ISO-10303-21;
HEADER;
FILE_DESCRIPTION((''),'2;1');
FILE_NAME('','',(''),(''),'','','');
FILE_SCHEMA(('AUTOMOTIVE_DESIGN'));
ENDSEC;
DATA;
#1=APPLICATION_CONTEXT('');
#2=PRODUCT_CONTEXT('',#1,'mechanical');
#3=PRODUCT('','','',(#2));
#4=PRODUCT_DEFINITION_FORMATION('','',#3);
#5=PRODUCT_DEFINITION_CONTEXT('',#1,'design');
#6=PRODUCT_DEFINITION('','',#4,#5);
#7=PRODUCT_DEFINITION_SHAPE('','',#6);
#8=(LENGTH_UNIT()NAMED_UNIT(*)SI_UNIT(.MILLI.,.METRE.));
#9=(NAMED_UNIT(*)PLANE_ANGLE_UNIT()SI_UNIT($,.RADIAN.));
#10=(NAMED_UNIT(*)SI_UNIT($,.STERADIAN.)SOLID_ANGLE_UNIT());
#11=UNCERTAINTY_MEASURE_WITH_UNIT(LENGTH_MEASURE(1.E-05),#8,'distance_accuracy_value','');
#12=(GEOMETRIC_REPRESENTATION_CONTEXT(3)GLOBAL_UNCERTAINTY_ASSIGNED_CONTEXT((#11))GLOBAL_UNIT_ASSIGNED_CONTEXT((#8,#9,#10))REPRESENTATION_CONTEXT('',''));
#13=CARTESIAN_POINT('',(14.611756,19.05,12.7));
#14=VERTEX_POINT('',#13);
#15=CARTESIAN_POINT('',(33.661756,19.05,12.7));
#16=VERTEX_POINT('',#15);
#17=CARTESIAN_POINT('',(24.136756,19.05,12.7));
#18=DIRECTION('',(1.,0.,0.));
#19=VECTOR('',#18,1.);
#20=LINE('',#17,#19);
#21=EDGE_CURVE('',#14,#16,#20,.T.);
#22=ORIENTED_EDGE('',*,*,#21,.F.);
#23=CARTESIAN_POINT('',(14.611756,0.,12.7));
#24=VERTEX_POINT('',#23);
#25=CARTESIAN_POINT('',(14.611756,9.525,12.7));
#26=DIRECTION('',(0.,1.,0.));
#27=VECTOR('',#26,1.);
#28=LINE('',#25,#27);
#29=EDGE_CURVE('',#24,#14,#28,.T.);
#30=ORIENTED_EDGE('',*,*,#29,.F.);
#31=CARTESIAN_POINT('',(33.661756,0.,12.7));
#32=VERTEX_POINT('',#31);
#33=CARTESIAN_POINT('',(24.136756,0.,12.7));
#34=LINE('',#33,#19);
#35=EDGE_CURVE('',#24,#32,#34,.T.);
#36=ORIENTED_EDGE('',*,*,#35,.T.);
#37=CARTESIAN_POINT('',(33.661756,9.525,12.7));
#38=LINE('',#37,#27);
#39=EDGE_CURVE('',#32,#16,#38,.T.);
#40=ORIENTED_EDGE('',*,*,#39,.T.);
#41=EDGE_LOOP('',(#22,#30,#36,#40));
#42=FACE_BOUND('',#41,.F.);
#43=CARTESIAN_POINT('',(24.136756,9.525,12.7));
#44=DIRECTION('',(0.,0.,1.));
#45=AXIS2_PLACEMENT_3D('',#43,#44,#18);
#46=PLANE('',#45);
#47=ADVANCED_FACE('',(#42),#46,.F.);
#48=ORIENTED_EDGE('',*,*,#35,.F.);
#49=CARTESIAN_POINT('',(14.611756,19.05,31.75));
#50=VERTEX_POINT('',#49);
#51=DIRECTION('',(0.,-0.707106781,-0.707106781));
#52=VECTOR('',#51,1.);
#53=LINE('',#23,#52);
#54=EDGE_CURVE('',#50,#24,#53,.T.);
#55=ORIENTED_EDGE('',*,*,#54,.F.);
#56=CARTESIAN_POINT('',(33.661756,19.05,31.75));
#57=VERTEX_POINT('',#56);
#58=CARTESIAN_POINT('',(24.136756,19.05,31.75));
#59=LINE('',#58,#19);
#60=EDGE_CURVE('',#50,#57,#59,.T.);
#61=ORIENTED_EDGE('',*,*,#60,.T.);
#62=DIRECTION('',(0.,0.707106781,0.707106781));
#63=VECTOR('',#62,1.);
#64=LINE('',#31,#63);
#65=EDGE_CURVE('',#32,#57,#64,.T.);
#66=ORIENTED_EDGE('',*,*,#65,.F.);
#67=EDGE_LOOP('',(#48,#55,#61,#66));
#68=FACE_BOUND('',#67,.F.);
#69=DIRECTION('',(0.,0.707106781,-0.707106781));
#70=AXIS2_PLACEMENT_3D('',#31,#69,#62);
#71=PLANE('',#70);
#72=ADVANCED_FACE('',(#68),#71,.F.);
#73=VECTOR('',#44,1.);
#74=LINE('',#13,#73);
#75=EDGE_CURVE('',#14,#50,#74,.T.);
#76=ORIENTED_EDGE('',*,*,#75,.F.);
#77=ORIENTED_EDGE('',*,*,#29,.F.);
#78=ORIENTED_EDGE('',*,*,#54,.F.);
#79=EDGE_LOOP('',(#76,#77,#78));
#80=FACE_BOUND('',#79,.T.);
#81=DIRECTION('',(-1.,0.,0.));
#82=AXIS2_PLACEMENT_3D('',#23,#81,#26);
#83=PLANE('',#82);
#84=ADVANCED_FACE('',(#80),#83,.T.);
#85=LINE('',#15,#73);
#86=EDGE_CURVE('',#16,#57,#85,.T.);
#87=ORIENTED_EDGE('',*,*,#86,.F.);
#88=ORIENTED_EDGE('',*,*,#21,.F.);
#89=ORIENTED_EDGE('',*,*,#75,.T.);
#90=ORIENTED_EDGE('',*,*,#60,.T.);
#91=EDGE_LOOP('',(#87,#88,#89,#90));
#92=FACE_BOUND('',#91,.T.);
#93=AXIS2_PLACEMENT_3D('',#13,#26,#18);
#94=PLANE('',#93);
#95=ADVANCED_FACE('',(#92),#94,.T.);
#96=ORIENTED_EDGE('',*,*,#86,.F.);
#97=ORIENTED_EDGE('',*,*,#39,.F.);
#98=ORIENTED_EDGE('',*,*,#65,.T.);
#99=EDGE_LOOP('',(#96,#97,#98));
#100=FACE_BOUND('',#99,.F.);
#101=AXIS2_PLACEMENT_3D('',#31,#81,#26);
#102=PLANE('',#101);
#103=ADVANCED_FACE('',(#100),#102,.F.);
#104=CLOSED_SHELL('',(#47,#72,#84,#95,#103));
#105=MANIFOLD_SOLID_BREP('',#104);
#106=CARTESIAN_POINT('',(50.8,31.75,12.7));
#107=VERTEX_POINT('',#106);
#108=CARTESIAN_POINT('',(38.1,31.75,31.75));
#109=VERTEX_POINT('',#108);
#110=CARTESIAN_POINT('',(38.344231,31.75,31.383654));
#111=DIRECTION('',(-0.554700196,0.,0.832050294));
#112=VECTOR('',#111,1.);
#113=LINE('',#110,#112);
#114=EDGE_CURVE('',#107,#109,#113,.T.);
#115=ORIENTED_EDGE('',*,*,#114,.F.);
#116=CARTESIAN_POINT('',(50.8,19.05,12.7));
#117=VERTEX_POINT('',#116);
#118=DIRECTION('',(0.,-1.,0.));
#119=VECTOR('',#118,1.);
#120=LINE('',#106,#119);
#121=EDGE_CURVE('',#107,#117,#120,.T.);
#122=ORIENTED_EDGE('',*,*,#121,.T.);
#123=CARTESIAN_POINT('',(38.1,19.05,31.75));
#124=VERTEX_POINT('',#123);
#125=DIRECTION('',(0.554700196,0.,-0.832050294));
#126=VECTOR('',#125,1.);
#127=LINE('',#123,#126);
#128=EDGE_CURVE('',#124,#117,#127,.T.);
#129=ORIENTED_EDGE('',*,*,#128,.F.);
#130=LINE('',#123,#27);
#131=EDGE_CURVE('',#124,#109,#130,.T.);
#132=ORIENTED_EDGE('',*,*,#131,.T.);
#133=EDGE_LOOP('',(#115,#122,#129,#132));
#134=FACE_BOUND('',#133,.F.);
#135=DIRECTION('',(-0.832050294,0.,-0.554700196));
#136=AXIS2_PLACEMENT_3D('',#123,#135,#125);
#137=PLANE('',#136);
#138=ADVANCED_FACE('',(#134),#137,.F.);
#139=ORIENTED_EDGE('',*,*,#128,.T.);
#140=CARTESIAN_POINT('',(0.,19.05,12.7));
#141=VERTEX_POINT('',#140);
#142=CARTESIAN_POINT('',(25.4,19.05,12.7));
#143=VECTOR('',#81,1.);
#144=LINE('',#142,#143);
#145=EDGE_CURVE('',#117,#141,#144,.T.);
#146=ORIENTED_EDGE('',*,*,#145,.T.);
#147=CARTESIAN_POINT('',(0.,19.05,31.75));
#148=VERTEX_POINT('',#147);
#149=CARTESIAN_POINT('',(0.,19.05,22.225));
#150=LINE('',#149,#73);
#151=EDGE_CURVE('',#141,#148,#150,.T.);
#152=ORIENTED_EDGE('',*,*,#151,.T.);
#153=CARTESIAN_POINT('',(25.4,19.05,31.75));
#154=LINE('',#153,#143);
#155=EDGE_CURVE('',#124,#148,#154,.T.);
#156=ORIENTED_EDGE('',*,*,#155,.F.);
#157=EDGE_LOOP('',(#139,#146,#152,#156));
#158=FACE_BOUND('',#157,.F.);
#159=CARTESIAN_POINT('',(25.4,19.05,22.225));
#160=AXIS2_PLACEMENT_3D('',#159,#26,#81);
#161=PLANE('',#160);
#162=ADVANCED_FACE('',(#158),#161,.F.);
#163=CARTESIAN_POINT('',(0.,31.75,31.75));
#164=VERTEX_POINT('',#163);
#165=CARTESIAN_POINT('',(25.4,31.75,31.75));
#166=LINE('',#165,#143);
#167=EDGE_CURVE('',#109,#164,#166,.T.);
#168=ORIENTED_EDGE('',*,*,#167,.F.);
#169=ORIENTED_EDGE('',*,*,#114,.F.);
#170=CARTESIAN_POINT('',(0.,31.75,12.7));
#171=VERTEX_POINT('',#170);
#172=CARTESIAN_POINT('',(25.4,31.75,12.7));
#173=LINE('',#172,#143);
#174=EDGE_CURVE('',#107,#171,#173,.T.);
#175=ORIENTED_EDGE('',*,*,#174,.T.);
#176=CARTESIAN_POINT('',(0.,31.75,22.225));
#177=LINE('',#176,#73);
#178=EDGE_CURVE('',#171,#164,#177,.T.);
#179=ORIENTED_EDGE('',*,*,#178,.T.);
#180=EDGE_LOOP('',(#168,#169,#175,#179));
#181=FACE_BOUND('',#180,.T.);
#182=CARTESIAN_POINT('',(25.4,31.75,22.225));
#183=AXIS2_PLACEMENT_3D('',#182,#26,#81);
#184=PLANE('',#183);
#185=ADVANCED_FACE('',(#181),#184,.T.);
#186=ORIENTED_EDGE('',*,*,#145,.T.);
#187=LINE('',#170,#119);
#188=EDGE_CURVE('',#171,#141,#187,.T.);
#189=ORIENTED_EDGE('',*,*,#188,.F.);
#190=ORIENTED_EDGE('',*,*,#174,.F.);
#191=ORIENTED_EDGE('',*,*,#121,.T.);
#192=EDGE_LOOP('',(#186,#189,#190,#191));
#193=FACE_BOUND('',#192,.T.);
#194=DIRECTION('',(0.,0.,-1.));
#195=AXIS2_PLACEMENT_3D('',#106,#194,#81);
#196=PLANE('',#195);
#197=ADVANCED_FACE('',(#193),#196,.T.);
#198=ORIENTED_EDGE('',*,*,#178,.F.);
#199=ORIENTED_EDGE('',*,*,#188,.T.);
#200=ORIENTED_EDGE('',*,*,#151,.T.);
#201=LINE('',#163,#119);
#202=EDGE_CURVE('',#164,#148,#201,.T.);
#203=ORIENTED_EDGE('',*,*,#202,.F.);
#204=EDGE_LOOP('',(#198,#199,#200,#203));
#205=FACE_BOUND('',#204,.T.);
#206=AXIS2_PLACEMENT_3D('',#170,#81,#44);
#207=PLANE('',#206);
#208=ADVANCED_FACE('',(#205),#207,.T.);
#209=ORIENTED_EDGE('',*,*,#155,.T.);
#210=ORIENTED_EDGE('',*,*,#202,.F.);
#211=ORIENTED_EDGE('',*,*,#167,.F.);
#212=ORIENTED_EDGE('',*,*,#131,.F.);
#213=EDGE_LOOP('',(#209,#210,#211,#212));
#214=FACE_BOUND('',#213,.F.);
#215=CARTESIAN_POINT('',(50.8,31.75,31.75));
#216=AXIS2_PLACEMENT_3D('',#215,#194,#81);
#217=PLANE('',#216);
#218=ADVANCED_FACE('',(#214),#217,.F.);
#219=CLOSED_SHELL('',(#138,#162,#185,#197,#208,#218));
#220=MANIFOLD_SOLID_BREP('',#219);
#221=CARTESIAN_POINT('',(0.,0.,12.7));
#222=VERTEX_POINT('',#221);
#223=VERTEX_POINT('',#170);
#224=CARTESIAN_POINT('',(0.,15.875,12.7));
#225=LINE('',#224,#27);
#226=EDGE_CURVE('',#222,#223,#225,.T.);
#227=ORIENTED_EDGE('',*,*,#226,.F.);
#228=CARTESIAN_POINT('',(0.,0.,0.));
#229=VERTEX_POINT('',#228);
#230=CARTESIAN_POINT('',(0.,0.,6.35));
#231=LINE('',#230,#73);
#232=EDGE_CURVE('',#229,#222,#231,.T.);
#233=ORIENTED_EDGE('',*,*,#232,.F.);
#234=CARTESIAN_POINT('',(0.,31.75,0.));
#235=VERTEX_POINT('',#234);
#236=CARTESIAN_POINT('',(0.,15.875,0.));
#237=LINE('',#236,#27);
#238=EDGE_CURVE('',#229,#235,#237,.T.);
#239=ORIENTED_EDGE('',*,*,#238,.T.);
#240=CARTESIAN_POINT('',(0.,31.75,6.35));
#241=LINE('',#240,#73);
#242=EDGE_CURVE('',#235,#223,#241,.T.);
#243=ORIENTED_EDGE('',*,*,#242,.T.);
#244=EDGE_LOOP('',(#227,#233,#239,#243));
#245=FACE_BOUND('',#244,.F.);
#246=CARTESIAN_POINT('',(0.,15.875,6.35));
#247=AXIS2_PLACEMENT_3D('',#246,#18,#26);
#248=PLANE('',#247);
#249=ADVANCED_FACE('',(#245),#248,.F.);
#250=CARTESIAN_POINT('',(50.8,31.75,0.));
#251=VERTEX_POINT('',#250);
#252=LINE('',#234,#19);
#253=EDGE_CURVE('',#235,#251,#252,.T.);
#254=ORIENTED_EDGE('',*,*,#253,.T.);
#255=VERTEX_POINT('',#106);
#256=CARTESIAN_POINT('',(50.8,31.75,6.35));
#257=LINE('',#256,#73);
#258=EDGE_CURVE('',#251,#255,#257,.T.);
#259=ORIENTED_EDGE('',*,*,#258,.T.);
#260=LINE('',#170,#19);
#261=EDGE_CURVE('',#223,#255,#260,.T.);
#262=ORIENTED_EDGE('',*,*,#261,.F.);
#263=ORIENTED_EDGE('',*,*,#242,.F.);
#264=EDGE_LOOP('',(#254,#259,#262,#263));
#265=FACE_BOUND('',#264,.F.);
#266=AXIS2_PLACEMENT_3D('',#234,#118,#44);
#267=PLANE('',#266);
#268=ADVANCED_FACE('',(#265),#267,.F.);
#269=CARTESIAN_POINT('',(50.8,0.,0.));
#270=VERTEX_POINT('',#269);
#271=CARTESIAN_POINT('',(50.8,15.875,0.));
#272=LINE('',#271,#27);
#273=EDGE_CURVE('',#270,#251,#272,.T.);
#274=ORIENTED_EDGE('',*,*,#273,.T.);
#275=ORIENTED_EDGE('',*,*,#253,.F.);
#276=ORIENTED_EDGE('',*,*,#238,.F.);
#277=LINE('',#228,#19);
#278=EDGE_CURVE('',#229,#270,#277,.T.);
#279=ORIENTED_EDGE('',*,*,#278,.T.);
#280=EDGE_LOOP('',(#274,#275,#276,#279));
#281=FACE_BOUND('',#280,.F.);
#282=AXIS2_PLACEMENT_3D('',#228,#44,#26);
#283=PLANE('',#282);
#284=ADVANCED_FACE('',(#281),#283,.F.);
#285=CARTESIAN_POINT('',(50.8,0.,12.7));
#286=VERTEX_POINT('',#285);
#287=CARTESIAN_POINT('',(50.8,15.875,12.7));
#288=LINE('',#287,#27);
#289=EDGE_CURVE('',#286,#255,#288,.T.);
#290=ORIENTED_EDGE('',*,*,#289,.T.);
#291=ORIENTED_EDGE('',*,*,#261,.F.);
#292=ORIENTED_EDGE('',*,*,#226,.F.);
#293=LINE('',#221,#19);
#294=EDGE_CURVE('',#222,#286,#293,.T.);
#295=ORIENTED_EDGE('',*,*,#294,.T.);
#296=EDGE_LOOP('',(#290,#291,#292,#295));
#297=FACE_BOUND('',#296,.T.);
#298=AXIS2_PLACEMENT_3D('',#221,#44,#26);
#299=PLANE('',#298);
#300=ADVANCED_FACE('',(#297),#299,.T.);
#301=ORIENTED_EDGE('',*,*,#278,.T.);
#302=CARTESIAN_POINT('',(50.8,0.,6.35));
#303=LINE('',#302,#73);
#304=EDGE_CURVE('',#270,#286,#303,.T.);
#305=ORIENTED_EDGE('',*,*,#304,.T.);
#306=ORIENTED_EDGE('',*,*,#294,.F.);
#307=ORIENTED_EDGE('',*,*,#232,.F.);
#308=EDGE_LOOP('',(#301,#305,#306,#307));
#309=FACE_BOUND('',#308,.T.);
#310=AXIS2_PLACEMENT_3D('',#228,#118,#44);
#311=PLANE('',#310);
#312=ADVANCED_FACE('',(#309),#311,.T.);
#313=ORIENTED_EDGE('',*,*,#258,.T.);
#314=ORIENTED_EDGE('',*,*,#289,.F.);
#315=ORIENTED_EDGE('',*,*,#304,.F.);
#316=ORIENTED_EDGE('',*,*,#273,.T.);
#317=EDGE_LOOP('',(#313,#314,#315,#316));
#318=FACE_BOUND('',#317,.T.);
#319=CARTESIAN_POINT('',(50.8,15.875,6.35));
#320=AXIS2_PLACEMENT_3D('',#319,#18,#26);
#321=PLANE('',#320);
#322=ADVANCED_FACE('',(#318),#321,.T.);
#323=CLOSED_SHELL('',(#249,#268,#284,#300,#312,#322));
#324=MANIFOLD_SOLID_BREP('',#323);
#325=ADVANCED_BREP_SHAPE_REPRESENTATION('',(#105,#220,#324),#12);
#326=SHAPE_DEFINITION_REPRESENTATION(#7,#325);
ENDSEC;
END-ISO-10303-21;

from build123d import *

# Parameters (mm, degrees)
F0_W     = 31.75
F0_H     = 12.7
F1_DEPTH = 50.8
F2_W     = 50.8
F2_H     = 19.05
F3_DEPTH = 12.7
F5_DEPTH = 25.4
F6_W     = 19.05
F6_H     = 19.05
F7_DEPTH = 19.05
F9_DEPTH = 25.4


with BuildPart() as f1:
    # F0 (on Right) → F1 (new body)
    with BuildSketch(Plane.YZ):
        with Locations((15.875, 6.35)):
            Rectangle(F0_W, F0_H)
    extrude(amount=F1_DEPTH)


with BuildPart() as f3:
    # F2 (on face) → F3 (new body)
    with BuildSketch(Plane(origin=(0, 31.75, 0), x_dir=(-1, 0, 0), z_dir=(0, 1, 0))):
        with Locations((-25.4, 22.225)):
            Rectangle(F2_W, F2_H)
    extrude(amount=-F3_DEPTH)

    # F4 (on face) → F5 (cut)
    with BuildSketch(Plane.XZ.offset(-19.05)):
        Polygon((50.8, 31.75), (38.1, 31.75), (50.8, 12.7), align=None)
    extrude(amount=-F5_DEPTH, mode=Mode.SUBTRACT)


with BuildPart() as f7:
    # F6 (on face) → F7 (new body)
    with BuildSketch(Plane.XY.offset(12.7)):
        with Locations((24.136756, 9.525)):
            Rectangle(F6_W, F6_H)
    extrude(amount=F7_DEPTH)

    # F8 (on face) → F9 (cut)
    with BuildSketch(Plane.YZ.offset(33.661756)):
        Polygon((0, 12.7), (19.05, 31.75), (0, 31.75), align=None)
    extrude(amount=-F9_DEPTH, mode=Mode.SUBTRACT)


solid = Compound([f1.part, f3.part, f7.part])
